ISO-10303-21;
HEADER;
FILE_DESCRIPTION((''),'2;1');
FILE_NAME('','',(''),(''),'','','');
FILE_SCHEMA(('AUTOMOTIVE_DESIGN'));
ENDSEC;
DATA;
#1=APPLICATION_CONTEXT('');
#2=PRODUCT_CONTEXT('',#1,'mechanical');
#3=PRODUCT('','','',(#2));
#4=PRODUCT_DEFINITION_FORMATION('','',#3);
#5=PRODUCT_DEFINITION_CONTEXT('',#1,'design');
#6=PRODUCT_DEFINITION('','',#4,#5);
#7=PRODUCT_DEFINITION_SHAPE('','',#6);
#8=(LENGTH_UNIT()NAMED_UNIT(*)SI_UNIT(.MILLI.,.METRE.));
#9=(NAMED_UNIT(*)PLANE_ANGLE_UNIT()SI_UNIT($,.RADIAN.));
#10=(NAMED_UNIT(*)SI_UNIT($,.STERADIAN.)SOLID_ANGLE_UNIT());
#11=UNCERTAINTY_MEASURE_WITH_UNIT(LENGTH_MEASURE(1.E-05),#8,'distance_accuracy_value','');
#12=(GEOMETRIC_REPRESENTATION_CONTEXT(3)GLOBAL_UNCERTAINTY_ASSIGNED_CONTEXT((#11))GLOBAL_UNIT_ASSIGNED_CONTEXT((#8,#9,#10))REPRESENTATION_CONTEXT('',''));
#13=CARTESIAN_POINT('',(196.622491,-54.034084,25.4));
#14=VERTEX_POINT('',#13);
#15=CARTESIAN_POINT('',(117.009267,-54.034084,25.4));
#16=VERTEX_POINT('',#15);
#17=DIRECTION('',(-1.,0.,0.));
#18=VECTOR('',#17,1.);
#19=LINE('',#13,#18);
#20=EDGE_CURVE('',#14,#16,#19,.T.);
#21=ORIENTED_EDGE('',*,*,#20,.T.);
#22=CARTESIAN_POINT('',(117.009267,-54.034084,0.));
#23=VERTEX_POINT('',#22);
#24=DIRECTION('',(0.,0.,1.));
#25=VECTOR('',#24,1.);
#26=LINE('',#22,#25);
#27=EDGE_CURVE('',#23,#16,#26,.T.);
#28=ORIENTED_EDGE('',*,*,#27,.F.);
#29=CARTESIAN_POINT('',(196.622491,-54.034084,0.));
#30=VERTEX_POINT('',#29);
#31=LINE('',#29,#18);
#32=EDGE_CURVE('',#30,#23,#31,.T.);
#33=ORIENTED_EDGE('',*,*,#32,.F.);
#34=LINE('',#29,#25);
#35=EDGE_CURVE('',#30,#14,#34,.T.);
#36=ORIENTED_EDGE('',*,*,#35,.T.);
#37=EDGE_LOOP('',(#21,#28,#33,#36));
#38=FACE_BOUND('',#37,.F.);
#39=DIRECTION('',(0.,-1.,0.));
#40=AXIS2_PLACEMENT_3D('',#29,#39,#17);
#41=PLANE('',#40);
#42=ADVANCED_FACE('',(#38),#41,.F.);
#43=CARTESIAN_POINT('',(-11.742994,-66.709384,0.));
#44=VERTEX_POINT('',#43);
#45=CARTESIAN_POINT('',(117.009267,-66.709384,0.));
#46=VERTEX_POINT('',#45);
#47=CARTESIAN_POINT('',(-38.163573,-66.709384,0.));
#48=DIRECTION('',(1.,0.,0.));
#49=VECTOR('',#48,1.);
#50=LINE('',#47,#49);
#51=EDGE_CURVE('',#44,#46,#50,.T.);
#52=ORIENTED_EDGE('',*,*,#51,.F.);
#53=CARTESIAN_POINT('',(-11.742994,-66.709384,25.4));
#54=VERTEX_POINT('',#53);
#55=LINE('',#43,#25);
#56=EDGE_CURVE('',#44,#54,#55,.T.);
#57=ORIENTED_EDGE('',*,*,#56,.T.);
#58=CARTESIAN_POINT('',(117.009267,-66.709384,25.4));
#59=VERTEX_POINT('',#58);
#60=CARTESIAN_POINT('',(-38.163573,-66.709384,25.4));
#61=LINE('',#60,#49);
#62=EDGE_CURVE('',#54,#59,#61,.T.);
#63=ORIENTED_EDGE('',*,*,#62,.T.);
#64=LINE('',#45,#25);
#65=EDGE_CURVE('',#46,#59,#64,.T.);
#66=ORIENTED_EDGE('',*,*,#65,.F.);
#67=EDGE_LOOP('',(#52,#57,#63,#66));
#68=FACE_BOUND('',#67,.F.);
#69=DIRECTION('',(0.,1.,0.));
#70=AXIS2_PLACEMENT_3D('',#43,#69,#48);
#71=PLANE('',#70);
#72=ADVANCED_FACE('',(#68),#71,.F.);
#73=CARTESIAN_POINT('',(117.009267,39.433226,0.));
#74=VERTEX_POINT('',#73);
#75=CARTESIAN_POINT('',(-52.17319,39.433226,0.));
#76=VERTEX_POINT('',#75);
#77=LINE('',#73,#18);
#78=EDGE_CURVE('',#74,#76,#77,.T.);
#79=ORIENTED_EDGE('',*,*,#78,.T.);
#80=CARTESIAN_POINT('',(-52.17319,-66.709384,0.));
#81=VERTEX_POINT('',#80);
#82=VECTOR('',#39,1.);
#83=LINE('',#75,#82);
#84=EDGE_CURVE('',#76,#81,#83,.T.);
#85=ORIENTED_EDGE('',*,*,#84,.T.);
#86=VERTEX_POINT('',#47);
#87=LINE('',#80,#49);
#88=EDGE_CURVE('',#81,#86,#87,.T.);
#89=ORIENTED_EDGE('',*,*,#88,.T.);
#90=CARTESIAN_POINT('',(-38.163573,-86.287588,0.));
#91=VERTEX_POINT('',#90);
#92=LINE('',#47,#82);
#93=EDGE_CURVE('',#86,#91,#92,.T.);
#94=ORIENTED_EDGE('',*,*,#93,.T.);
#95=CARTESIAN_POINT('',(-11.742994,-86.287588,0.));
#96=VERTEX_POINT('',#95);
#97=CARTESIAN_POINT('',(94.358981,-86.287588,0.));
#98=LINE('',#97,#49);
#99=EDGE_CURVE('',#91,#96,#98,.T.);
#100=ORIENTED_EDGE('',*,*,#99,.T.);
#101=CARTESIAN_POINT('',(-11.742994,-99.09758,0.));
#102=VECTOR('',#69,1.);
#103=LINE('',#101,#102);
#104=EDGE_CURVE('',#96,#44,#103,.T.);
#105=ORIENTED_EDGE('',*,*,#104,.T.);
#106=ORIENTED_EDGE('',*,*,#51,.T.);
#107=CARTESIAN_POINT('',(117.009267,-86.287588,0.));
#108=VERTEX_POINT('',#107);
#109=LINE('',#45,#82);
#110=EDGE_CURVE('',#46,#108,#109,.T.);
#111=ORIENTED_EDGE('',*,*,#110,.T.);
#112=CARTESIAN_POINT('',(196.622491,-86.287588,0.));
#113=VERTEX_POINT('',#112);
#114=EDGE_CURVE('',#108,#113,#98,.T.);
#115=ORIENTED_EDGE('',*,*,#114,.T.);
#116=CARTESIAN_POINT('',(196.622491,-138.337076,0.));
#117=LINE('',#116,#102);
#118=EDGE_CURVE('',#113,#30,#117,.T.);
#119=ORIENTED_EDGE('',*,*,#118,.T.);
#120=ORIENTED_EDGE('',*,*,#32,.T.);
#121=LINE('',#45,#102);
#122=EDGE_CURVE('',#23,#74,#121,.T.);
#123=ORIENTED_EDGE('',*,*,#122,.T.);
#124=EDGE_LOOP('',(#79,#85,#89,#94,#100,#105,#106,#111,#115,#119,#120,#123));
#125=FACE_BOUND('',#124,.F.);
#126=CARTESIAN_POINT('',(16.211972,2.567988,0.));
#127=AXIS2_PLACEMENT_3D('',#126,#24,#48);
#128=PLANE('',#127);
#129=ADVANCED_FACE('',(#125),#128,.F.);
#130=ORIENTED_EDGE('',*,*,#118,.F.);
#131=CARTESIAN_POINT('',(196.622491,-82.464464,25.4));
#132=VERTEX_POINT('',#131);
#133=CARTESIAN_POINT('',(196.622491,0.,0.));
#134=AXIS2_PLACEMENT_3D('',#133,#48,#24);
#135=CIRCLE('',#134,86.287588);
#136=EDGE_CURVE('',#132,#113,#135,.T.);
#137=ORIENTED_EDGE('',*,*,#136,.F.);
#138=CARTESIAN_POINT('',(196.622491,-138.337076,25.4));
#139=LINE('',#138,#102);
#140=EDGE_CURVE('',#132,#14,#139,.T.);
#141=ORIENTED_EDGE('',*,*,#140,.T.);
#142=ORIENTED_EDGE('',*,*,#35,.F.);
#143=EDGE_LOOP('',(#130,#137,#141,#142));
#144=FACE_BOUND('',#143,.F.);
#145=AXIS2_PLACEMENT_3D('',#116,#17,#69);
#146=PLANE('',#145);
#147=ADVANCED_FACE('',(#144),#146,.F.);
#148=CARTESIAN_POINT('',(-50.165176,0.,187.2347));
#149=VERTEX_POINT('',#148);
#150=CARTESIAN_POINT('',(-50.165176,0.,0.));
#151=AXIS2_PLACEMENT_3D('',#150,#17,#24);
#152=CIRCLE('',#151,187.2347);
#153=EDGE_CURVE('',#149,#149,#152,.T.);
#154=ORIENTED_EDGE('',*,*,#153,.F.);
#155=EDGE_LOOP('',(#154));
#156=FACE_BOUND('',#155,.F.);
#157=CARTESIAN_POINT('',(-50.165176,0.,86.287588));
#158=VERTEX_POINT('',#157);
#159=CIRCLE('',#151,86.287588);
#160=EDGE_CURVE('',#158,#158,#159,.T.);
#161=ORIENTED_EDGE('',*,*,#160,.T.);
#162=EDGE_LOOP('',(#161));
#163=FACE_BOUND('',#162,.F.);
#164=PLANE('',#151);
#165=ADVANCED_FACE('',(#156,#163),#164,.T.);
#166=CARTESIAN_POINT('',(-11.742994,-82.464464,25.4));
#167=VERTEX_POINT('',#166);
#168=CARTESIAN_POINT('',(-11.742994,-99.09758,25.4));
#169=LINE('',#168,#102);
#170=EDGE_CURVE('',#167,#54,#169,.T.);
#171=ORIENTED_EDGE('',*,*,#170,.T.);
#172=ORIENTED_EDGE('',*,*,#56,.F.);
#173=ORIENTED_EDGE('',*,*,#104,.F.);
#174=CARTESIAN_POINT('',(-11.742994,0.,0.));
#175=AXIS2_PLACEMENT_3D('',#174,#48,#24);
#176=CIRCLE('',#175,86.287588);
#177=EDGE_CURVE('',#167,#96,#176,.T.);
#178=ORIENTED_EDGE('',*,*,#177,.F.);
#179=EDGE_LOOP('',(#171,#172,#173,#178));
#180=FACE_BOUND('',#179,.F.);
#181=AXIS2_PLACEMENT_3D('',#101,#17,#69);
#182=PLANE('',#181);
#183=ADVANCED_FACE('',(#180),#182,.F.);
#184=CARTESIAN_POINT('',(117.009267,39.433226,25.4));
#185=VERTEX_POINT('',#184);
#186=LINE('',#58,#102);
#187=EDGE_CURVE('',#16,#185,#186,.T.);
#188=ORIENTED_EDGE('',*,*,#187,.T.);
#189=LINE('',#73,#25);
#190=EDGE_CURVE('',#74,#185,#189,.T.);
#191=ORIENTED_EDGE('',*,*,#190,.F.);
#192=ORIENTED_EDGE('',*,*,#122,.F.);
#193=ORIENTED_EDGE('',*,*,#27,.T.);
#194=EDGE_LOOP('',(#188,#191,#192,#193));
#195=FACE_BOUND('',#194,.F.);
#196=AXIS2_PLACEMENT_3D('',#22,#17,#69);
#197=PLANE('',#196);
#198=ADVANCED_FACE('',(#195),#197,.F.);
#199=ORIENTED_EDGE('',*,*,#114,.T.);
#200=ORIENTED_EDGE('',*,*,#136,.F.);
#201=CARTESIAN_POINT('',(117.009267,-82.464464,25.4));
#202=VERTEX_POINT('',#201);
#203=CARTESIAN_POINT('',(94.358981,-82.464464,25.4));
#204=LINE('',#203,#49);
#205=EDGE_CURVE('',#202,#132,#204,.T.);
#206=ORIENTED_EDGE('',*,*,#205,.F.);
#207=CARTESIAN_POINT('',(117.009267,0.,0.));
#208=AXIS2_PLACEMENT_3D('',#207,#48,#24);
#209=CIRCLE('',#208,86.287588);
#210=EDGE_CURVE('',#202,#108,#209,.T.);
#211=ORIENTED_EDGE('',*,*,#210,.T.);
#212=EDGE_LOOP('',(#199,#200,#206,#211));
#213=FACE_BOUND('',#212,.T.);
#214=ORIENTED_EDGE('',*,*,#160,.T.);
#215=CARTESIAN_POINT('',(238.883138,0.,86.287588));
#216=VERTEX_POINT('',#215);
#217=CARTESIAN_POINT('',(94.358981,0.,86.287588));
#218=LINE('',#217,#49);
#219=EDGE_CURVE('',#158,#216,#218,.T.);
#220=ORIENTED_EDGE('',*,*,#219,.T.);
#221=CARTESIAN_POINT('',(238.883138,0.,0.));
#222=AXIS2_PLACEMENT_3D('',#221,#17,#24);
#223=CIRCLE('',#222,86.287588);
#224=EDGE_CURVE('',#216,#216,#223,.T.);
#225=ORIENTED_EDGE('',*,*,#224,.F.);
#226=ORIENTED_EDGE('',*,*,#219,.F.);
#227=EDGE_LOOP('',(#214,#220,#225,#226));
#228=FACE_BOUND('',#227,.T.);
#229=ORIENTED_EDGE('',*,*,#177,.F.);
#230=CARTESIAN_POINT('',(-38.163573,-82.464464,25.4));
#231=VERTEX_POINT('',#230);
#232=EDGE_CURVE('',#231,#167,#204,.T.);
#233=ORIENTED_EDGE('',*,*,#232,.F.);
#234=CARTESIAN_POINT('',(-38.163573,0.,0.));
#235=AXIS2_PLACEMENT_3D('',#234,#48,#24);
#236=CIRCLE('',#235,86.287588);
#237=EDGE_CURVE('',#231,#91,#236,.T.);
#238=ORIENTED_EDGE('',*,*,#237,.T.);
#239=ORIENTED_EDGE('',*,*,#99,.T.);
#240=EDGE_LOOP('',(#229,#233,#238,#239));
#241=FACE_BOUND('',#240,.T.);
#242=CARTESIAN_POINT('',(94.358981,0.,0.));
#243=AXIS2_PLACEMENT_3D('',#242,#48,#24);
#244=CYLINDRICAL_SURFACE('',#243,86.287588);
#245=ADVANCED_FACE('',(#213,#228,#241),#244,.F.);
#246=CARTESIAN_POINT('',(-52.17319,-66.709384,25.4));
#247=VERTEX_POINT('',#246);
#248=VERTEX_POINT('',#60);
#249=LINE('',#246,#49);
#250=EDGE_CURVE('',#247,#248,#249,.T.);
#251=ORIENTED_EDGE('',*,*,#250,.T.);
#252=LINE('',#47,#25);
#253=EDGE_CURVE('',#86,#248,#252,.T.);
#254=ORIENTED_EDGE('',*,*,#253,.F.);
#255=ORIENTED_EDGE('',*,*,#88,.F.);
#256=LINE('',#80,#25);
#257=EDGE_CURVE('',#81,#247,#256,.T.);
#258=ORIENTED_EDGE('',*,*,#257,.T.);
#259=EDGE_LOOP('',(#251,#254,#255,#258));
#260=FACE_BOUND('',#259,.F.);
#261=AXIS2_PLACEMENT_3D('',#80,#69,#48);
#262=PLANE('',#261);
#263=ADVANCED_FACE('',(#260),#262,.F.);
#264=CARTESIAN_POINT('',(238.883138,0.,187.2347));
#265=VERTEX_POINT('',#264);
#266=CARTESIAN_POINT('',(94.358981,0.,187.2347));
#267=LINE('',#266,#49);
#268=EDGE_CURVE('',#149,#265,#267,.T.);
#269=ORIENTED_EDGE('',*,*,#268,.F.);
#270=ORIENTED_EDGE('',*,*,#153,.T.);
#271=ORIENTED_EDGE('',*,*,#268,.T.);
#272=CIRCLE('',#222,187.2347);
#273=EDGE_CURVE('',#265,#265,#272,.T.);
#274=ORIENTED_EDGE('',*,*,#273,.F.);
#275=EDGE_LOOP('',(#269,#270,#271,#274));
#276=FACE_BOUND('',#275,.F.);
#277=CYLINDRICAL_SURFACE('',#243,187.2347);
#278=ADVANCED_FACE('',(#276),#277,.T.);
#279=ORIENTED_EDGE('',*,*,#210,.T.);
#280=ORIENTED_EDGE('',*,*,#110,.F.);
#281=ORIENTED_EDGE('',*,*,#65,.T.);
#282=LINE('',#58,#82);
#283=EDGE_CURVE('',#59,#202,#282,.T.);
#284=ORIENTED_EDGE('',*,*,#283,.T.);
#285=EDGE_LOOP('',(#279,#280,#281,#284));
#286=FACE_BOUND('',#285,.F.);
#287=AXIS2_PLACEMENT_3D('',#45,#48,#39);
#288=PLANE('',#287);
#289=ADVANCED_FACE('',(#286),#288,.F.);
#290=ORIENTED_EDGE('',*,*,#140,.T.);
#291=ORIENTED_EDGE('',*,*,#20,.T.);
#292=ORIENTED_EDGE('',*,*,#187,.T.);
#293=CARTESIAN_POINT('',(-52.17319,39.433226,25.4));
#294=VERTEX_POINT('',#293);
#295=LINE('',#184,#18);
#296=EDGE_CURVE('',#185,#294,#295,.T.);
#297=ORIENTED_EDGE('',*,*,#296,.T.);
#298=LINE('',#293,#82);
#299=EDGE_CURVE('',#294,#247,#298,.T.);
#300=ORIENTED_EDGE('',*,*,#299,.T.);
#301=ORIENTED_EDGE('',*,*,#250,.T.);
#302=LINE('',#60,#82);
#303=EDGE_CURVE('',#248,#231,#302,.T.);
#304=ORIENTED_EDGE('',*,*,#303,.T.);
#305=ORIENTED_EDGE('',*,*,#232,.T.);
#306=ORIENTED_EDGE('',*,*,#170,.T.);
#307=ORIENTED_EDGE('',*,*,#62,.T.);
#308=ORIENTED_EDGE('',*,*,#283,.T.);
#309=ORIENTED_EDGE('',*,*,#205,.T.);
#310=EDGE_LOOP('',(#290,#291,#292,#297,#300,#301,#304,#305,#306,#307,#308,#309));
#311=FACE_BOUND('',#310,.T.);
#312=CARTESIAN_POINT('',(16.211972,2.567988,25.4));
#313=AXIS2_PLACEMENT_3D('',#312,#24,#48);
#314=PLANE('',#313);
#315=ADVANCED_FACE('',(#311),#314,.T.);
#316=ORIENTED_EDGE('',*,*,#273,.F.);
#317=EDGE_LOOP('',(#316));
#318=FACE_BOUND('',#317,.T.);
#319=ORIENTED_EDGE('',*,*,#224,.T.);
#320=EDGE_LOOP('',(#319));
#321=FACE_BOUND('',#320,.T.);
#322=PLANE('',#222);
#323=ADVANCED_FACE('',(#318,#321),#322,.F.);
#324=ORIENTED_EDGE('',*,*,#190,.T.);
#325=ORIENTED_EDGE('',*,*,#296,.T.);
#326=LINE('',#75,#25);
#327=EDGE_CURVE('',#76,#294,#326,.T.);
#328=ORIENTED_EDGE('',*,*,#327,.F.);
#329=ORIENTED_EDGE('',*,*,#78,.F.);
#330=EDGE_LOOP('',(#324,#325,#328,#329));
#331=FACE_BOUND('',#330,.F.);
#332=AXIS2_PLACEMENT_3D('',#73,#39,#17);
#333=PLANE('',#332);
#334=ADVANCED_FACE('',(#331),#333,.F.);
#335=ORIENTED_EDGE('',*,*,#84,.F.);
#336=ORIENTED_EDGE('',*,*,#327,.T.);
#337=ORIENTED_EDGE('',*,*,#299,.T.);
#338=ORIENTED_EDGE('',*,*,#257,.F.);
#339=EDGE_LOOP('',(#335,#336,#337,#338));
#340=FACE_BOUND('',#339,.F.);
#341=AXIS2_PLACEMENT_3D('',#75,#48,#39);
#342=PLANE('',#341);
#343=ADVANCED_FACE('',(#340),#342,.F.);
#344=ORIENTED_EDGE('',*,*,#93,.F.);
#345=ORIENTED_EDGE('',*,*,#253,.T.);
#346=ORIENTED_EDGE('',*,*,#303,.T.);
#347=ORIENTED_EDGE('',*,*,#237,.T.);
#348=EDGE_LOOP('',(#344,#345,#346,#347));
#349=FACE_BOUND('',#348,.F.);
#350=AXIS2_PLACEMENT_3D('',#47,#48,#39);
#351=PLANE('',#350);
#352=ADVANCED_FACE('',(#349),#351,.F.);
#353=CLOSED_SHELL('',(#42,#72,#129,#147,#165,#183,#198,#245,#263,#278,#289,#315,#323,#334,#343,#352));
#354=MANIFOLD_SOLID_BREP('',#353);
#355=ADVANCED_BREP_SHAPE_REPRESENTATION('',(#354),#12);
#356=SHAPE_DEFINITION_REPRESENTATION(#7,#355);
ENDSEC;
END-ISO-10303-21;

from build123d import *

# Parameters (mm, degrees)
F0_W     = 128.7522614002
F0_H     = 54.0340840816
F0_H_2   = 12.6753002405
F0_W_2   = 26.4205783606
F1_DEPTH = 25.4
F2_W     = 289.0483140945
F2_H     = 100.947111845


with BuildPart() as f1:
    # F0 (on Top) → F1 (new body)
    with BuildSketch(Plane.XY):
        Polygon((-11.7429941893, -54.0340840816), (-11.7429941893, 0), (117.009267211, 0), (117.009267211, 39.4332259893), (-52.1731898189, 39.4332259893), (-52.1731898189, -66.7093843222), (-38.1635725498, -66.7093843222), (-38.1635725498, -54.0340840816), align=None)
        with Locations((52.6331365108, -27.0170420408)):
            Rectangle(F0_W, F0_H)
        with Locations((52.6331365108, -60.3717342019)):
            Rectangle(F0_W, F0_H_2)
        with Locations((-24.9532833695, -60.3717342019)):
            Rectangle(F0_W_2, F0_H_2)
        Polygon((196.6224908829, -54.0340840816), (117.009267211, -54.0340840816), (117.009267211, -66.7093843222), (117.009267211, -99.0975797176), (-11.7429941893, -99.0975797176), (-11.7429941893, -66.7093843222), (-38.1635725498, -66.7093843222), (-38.1635725498, -138.3370757103), (196.6224908829, -138.3370757103), align=None)
    extrude(amount=F1_DEPTH)

    # F2 (on Front) → F3 (revolve)
    with BuildSketch(Plane.XZ):
        with Locations((94.3589806557, 136.7611438036)):
            Rectangle(F2_W, F2_H)
    revolve(axis=Axis((344.5996642113, 0, 0), (-1, 0, 0)))


solid = f1.part
